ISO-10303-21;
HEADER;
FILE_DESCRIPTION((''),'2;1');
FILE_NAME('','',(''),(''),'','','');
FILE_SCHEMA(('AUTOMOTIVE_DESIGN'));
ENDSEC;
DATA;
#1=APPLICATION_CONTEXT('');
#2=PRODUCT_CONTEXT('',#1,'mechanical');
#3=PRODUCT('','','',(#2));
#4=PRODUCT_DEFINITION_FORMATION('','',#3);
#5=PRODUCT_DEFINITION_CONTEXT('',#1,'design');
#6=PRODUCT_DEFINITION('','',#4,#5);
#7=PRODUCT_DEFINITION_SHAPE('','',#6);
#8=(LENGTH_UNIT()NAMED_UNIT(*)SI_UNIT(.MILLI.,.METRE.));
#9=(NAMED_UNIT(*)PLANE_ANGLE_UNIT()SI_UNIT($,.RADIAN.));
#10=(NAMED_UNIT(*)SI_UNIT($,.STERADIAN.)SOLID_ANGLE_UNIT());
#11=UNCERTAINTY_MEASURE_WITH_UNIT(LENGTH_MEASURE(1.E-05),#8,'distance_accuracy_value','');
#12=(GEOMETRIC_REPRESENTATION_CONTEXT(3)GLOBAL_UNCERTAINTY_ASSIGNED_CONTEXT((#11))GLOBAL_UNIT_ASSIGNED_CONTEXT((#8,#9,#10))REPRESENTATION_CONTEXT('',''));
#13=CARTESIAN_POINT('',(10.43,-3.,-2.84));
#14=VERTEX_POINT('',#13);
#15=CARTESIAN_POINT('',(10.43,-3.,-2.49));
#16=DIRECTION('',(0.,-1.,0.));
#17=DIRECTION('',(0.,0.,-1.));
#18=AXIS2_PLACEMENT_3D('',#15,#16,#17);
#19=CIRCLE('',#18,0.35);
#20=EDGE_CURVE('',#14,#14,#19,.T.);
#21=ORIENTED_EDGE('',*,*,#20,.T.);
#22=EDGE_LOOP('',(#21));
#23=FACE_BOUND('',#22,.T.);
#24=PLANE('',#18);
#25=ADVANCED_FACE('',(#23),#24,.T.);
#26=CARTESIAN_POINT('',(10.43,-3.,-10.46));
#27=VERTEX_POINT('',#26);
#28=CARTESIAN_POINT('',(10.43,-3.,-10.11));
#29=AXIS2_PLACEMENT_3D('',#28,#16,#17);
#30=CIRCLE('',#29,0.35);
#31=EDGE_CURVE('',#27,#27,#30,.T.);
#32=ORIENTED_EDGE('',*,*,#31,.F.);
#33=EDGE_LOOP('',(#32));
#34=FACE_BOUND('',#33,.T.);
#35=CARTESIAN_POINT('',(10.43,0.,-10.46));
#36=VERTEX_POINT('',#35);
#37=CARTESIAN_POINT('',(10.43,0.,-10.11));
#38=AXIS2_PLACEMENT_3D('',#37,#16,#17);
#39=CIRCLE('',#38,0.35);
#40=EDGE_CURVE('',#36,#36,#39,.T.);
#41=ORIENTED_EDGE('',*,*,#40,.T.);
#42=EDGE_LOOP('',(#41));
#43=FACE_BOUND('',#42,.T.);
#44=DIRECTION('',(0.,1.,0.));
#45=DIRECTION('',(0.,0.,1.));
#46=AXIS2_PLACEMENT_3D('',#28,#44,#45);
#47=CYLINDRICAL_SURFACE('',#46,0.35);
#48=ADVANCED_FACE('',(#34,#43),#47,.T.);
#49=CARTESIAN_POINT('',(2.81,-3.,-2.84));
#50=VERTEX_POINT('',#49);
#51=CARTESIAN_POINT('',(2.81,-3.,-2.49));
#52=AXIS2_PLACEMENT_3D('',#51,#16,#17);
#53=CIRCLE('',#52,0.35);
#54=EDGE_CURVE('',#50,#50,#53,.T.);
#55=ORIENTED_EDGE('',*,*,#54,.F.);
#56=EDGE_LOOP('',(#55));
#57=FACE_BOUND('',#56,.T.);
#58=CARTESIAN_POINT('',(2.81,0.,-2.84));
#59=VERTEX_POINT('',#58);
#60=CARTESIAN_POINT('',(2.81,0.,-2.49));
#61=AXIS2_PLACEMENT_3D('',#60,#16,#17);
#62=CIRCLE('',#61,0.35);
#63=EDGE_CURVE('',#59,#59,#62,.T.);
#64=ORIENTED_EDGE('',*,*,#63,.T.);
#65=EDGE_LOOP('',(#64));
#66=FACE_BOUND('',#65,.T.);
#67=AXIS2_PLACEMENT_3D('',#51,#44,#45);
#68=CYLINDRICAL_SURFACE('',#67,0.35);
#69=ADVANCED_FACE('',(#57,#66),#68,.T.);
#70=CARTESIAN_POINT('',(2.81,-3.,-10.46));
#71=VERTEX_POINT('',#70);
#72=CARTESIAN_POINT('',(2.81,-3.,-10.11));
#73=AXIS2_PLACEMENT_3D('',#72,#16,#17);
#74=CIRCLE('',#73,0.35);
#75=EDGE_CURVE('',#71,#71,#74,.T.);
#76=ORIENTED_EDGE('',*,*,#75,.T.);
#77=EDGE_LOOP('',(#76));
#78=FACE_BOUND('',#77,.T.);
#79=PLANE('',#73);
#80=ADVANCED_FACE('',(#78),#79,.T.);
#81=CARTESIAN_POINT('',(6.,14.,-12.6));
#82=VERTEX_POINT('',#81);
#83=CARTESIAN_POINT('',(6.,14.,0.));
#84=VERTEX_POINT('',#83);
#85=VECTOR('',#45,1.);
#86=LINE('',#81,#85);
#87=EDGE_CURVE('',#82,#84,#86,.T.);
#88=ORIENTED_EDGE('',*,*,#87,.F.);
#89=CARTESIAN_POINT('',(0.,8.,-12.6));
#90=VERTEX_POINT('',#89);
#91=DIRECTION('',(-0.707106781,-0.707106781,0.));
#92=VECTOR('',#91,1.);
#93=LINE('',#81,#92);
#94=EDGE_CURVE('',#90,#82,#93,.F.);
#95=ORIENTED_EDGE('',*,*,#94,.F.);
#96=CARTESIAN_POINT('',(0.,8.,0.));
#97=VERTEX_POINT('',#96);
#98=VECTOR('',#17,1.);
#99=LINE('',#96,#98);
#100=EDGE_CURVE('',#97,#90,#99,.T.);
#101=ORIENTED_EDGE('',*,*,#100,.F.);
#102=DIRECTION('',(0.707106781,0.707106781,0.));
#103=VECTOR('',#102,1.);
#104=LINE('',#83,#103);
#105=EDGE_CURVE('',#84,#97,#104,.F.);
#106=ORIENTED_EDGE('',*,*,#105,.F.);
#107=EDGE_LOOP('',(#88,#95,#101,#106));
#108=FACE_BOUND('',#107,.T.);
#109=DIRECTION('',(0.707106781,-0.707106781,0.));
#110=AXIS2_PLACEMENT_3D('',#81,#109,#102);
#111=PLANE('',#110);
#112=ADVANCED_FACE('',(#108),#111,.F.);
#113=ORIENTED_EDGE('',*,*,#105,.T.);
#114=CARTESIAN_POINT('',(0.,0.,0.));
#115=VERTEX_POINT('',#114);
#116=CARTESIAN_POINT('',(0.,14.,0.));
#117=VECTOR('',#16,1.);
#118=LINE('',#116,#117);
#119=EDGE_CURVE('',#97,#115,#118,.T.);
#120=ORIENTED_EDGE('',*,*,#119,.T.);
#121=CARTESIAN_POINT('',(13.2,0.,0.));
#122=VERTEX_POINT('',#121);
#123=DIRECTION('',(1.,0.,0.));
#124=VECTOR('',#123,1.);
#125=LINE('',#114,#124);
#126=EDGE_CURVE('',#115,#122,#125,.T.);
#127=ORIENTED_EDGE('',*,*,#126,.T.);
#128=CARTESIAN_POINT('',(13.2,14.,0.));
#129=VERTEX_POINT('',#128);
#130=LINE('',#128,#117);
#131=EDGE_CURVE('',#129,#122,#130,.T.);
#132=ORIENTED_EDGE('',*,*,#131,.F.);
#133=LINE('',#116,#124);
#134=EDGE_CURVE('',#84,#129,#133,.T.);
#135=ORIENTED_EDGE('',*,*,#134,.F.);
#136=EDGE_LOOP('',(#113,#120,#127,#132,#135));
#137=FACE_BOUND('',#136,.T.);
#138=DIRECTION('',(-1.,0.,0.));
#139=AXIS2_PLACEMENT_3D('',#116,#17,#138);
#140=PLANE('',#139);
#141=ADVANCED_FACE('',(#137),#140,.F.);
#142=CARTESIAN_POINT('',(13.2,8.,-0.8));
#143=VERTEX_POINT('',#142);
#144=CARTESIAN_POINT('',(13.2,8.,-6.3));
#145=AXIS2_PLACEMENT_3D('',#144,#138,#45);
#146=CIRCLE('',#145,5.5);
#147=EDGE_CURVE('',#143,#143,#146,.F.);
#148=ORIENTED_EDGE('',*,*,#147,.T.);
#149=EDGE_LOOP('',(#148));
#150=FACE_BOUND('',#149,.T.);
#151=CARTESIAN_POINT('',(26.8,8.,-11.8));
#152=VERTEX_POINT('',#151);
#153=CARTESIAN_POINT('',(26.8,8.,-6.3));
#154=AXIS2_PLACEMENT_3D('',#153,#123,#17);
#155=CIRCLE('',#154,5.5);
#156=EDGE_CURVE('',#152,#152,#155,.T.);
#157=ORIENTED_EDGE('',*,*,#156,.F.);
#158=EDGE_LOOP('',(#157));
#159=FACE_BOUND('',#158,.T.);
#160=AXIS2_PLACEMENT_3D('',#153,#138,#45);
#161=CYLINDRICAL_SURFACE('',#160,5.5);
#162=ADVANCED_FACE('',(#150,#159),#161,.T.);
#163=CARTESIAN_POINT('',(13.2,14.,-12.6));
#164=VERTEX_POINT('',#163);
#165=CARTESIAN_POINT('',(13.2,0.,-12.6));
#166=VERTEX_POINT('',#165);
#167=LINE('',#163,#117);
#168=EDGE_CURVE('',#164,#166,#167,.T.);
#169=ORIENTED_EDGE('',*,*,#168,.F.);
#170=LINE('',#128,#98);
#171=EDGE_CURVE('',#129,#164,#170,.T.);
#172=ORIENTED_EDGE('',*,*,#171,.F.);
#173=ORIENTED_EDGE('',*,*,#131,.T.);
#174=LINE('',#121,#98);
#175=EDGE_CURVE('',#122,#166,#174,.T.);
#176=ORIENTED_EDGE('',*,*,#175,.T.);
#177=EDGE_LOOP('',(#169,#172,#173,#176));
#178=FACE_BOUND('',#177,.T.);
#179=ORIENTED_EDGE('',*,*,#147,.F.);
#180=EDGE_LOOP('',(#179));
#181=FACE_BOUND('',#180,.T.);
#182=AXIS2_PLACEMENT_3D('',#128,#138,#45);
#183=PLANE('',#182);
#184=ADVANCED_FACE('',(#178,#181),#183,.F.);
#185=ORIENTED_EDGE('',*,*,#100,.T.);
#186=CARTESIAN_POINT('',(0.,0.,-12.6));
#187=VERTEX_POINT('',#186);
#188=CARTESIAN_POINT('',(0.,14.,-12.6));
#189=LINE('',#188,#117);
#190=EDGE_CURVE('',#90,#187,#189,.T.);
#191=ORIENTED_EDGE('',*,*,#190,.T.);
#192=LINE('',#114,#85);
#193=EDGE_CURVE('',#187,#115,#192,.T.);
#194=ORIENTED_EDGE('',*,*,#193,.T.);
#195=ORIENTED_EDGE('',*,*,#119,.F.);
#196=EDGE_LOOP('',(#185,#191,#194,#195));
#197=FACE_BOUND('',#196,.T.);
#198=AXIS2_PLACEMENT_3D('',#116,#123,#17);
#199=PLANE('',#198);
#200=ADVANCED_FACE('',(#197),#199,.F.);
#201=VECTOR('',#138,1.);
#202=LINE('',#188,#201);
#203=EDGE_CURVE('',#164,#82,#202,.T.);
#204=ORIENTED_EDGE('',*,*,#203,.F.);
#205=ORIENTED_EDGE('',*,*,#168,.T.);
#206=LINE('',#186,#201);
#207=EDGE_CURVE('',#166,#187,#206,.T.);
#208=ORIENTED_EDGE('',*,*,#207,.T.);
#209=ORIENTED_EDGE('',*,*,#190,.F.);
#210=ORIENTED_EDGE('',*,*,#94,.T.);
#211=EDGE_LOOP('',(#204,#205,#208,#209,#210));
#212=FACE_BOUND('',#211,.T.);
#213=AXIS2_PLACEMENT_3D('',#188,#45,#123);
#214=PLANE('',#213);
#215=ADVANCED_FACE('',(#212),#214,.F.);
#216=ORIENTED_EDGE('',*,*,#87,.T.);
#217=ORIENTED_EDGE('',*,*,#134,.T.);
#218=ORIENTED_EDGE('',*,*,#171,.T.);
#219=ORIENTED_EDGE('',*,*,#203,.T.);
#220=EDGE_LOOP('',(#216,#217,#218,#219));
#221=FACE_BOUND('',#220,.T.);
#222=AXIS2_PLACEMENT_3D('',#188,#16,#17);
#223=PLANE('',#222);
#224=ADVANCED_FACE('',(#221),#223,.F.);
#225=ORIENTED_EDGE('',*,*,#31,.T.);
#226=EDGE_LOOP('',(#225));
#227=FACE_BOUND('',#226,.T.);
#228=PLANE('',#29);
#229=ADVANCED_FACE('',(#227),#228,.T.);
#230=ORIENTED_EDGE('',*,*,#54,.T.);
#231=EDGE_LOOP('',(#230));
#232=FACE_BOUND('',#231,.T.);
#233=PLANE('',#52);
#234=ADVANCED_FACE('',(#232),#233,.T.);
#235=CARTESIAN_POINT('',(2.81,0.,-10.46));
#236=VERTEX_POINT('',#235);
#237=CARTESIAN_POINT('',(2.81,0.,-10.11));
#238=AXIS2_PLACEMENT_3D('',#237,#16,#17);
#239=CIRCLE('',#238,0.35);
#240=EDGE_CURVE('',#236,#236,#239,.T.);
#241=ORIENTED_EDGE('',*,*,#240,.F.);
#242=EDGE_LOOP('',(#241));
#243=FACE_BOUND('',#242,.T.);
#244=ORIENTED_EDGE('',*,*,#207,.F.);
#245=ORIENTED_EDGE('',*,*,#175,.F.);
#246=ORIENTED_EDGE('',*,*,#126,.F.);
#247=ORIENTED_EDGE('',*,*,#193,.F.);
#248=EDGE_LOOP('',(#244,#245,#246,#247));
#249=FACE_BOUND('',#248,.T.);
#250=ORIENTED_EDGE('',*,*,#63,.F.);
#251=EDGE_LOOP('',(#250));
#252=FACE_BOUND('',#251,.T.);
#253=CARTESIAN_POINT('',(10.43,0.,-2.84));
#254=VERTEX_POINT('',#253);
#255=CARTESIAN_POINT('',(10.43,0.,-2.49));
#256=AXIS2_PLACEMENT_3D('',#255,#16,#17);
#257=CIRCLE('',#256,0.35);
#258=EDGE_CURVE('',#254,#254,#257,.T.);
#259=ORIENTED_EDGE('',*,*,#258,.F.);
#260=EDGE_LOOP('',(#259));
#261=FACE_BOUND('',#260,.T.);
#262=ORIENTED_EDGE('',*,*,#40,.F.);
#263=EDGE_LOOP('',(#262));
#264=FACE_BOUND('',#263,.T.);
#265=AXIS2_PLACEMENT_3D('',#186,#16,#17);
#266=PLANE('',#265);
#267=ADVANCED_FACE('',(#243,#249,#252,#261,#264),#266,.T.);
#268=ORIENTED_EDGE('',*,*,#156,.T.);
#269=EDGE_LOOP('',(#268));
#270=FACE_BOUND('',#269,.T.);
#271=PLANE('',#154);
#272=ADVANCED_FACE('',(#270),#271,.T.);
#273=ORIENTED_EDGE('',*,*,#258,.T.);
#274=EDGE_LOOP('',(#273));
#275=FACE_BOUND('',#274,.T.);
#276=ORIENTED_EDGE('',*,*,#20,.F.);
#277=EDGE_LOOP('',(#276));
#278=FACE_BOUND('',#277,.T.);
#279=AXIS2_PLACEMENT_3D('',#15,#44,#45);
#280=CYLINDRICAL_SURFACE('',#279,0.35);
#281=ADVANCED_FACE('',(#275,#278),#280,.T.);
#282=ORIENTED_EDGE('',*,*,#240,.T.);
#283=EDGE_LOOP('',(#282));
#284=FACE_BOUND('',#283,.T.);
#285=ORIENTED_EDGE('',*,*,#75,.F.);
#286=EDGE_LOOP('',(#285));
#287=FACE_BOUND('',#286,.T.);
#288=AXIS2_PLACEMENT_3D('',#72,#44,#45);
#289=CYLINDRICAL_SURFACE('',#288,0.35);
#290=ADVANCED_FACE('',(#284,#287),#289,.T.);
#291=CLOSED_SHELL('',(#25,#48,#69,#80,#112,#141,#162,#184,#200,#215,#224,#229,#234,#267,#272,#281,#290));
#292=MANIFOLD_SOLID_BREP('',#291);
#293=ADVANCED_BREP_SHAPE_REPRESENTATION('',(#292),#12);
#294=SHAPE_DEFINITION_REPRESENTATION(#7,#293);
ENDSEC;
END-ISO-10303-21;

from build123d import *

# Parameters (mm, degrees)
ESQUISSE1_W      = 13.2
ESQUISSE1_H      = 12.6
EXTRUSION1_DEPTH = 14
CHANFREIN1_SIZE  = 6
ESQUISSE2_R      = 5.5
EXTRUSION2_DEPTH = 13.6
ESQUISSE3_R      = 0.35
EXTRUSION3_DEPTH = 3


with BuildPart() as part:
    # Esquisse1 → Extrusion1 (new body)
    with BuildSketch(Plane(origin=(0, 0, 0), x_dir=(1, 0, 0), z_dir=(0, 1, 0))):
        with Locations((6.6, 6.3)):
            Rectangle(ESQUISSE1_W, ESQUISSE1_H)
    extrude(amount=EXTRUSION1_DEPTH)

    # Chanfrein1
    chanfrein1_edges = [part.edges().sort_by_distance(p)[0] for p in [
        (0, 14, -6.3),
    ]]
    chamfer(chanfrein1_edges, length=CHANFREIN1_SIZE)

    # Esquisse2 → Extrusion2 (add)
    with BuildSketch(Plane(origin=(13.2, 0, 0), x_dir=(0, 0, -1), z_dir=(1, 0, 0))):
        with Locations(Location((6.3, 8, 0), (0, 0, 180))):
            Circle(ESQUISSE2_R)
    extrude(amount=EXTRUSION2_DEPTH)

    # Esquisse3 → Extrusion3 (add)
    with BuildSketch(Plane.XZ):
        with Locations(Location((10.43, -2.49, 0), (0, 0, 270))):
            Circle(ESQUISSE3_R)
        with Locations(Location((10.43, -10.11, 0), (0, 0, 270))):
            Circle(ESQUISSE3_R)
        with Locations(Location((2.81, -2.49, 0), (0, 0, 270))):
            Circle(ESQUISSE3_R)
        with Locations(Location((2.81, -10.11, 0), (0, 0, 270))):
            Circle(ESQUISSE3_R)
    extrude(amount=EXTRUSION3_DEPTH)


solid = part.part
